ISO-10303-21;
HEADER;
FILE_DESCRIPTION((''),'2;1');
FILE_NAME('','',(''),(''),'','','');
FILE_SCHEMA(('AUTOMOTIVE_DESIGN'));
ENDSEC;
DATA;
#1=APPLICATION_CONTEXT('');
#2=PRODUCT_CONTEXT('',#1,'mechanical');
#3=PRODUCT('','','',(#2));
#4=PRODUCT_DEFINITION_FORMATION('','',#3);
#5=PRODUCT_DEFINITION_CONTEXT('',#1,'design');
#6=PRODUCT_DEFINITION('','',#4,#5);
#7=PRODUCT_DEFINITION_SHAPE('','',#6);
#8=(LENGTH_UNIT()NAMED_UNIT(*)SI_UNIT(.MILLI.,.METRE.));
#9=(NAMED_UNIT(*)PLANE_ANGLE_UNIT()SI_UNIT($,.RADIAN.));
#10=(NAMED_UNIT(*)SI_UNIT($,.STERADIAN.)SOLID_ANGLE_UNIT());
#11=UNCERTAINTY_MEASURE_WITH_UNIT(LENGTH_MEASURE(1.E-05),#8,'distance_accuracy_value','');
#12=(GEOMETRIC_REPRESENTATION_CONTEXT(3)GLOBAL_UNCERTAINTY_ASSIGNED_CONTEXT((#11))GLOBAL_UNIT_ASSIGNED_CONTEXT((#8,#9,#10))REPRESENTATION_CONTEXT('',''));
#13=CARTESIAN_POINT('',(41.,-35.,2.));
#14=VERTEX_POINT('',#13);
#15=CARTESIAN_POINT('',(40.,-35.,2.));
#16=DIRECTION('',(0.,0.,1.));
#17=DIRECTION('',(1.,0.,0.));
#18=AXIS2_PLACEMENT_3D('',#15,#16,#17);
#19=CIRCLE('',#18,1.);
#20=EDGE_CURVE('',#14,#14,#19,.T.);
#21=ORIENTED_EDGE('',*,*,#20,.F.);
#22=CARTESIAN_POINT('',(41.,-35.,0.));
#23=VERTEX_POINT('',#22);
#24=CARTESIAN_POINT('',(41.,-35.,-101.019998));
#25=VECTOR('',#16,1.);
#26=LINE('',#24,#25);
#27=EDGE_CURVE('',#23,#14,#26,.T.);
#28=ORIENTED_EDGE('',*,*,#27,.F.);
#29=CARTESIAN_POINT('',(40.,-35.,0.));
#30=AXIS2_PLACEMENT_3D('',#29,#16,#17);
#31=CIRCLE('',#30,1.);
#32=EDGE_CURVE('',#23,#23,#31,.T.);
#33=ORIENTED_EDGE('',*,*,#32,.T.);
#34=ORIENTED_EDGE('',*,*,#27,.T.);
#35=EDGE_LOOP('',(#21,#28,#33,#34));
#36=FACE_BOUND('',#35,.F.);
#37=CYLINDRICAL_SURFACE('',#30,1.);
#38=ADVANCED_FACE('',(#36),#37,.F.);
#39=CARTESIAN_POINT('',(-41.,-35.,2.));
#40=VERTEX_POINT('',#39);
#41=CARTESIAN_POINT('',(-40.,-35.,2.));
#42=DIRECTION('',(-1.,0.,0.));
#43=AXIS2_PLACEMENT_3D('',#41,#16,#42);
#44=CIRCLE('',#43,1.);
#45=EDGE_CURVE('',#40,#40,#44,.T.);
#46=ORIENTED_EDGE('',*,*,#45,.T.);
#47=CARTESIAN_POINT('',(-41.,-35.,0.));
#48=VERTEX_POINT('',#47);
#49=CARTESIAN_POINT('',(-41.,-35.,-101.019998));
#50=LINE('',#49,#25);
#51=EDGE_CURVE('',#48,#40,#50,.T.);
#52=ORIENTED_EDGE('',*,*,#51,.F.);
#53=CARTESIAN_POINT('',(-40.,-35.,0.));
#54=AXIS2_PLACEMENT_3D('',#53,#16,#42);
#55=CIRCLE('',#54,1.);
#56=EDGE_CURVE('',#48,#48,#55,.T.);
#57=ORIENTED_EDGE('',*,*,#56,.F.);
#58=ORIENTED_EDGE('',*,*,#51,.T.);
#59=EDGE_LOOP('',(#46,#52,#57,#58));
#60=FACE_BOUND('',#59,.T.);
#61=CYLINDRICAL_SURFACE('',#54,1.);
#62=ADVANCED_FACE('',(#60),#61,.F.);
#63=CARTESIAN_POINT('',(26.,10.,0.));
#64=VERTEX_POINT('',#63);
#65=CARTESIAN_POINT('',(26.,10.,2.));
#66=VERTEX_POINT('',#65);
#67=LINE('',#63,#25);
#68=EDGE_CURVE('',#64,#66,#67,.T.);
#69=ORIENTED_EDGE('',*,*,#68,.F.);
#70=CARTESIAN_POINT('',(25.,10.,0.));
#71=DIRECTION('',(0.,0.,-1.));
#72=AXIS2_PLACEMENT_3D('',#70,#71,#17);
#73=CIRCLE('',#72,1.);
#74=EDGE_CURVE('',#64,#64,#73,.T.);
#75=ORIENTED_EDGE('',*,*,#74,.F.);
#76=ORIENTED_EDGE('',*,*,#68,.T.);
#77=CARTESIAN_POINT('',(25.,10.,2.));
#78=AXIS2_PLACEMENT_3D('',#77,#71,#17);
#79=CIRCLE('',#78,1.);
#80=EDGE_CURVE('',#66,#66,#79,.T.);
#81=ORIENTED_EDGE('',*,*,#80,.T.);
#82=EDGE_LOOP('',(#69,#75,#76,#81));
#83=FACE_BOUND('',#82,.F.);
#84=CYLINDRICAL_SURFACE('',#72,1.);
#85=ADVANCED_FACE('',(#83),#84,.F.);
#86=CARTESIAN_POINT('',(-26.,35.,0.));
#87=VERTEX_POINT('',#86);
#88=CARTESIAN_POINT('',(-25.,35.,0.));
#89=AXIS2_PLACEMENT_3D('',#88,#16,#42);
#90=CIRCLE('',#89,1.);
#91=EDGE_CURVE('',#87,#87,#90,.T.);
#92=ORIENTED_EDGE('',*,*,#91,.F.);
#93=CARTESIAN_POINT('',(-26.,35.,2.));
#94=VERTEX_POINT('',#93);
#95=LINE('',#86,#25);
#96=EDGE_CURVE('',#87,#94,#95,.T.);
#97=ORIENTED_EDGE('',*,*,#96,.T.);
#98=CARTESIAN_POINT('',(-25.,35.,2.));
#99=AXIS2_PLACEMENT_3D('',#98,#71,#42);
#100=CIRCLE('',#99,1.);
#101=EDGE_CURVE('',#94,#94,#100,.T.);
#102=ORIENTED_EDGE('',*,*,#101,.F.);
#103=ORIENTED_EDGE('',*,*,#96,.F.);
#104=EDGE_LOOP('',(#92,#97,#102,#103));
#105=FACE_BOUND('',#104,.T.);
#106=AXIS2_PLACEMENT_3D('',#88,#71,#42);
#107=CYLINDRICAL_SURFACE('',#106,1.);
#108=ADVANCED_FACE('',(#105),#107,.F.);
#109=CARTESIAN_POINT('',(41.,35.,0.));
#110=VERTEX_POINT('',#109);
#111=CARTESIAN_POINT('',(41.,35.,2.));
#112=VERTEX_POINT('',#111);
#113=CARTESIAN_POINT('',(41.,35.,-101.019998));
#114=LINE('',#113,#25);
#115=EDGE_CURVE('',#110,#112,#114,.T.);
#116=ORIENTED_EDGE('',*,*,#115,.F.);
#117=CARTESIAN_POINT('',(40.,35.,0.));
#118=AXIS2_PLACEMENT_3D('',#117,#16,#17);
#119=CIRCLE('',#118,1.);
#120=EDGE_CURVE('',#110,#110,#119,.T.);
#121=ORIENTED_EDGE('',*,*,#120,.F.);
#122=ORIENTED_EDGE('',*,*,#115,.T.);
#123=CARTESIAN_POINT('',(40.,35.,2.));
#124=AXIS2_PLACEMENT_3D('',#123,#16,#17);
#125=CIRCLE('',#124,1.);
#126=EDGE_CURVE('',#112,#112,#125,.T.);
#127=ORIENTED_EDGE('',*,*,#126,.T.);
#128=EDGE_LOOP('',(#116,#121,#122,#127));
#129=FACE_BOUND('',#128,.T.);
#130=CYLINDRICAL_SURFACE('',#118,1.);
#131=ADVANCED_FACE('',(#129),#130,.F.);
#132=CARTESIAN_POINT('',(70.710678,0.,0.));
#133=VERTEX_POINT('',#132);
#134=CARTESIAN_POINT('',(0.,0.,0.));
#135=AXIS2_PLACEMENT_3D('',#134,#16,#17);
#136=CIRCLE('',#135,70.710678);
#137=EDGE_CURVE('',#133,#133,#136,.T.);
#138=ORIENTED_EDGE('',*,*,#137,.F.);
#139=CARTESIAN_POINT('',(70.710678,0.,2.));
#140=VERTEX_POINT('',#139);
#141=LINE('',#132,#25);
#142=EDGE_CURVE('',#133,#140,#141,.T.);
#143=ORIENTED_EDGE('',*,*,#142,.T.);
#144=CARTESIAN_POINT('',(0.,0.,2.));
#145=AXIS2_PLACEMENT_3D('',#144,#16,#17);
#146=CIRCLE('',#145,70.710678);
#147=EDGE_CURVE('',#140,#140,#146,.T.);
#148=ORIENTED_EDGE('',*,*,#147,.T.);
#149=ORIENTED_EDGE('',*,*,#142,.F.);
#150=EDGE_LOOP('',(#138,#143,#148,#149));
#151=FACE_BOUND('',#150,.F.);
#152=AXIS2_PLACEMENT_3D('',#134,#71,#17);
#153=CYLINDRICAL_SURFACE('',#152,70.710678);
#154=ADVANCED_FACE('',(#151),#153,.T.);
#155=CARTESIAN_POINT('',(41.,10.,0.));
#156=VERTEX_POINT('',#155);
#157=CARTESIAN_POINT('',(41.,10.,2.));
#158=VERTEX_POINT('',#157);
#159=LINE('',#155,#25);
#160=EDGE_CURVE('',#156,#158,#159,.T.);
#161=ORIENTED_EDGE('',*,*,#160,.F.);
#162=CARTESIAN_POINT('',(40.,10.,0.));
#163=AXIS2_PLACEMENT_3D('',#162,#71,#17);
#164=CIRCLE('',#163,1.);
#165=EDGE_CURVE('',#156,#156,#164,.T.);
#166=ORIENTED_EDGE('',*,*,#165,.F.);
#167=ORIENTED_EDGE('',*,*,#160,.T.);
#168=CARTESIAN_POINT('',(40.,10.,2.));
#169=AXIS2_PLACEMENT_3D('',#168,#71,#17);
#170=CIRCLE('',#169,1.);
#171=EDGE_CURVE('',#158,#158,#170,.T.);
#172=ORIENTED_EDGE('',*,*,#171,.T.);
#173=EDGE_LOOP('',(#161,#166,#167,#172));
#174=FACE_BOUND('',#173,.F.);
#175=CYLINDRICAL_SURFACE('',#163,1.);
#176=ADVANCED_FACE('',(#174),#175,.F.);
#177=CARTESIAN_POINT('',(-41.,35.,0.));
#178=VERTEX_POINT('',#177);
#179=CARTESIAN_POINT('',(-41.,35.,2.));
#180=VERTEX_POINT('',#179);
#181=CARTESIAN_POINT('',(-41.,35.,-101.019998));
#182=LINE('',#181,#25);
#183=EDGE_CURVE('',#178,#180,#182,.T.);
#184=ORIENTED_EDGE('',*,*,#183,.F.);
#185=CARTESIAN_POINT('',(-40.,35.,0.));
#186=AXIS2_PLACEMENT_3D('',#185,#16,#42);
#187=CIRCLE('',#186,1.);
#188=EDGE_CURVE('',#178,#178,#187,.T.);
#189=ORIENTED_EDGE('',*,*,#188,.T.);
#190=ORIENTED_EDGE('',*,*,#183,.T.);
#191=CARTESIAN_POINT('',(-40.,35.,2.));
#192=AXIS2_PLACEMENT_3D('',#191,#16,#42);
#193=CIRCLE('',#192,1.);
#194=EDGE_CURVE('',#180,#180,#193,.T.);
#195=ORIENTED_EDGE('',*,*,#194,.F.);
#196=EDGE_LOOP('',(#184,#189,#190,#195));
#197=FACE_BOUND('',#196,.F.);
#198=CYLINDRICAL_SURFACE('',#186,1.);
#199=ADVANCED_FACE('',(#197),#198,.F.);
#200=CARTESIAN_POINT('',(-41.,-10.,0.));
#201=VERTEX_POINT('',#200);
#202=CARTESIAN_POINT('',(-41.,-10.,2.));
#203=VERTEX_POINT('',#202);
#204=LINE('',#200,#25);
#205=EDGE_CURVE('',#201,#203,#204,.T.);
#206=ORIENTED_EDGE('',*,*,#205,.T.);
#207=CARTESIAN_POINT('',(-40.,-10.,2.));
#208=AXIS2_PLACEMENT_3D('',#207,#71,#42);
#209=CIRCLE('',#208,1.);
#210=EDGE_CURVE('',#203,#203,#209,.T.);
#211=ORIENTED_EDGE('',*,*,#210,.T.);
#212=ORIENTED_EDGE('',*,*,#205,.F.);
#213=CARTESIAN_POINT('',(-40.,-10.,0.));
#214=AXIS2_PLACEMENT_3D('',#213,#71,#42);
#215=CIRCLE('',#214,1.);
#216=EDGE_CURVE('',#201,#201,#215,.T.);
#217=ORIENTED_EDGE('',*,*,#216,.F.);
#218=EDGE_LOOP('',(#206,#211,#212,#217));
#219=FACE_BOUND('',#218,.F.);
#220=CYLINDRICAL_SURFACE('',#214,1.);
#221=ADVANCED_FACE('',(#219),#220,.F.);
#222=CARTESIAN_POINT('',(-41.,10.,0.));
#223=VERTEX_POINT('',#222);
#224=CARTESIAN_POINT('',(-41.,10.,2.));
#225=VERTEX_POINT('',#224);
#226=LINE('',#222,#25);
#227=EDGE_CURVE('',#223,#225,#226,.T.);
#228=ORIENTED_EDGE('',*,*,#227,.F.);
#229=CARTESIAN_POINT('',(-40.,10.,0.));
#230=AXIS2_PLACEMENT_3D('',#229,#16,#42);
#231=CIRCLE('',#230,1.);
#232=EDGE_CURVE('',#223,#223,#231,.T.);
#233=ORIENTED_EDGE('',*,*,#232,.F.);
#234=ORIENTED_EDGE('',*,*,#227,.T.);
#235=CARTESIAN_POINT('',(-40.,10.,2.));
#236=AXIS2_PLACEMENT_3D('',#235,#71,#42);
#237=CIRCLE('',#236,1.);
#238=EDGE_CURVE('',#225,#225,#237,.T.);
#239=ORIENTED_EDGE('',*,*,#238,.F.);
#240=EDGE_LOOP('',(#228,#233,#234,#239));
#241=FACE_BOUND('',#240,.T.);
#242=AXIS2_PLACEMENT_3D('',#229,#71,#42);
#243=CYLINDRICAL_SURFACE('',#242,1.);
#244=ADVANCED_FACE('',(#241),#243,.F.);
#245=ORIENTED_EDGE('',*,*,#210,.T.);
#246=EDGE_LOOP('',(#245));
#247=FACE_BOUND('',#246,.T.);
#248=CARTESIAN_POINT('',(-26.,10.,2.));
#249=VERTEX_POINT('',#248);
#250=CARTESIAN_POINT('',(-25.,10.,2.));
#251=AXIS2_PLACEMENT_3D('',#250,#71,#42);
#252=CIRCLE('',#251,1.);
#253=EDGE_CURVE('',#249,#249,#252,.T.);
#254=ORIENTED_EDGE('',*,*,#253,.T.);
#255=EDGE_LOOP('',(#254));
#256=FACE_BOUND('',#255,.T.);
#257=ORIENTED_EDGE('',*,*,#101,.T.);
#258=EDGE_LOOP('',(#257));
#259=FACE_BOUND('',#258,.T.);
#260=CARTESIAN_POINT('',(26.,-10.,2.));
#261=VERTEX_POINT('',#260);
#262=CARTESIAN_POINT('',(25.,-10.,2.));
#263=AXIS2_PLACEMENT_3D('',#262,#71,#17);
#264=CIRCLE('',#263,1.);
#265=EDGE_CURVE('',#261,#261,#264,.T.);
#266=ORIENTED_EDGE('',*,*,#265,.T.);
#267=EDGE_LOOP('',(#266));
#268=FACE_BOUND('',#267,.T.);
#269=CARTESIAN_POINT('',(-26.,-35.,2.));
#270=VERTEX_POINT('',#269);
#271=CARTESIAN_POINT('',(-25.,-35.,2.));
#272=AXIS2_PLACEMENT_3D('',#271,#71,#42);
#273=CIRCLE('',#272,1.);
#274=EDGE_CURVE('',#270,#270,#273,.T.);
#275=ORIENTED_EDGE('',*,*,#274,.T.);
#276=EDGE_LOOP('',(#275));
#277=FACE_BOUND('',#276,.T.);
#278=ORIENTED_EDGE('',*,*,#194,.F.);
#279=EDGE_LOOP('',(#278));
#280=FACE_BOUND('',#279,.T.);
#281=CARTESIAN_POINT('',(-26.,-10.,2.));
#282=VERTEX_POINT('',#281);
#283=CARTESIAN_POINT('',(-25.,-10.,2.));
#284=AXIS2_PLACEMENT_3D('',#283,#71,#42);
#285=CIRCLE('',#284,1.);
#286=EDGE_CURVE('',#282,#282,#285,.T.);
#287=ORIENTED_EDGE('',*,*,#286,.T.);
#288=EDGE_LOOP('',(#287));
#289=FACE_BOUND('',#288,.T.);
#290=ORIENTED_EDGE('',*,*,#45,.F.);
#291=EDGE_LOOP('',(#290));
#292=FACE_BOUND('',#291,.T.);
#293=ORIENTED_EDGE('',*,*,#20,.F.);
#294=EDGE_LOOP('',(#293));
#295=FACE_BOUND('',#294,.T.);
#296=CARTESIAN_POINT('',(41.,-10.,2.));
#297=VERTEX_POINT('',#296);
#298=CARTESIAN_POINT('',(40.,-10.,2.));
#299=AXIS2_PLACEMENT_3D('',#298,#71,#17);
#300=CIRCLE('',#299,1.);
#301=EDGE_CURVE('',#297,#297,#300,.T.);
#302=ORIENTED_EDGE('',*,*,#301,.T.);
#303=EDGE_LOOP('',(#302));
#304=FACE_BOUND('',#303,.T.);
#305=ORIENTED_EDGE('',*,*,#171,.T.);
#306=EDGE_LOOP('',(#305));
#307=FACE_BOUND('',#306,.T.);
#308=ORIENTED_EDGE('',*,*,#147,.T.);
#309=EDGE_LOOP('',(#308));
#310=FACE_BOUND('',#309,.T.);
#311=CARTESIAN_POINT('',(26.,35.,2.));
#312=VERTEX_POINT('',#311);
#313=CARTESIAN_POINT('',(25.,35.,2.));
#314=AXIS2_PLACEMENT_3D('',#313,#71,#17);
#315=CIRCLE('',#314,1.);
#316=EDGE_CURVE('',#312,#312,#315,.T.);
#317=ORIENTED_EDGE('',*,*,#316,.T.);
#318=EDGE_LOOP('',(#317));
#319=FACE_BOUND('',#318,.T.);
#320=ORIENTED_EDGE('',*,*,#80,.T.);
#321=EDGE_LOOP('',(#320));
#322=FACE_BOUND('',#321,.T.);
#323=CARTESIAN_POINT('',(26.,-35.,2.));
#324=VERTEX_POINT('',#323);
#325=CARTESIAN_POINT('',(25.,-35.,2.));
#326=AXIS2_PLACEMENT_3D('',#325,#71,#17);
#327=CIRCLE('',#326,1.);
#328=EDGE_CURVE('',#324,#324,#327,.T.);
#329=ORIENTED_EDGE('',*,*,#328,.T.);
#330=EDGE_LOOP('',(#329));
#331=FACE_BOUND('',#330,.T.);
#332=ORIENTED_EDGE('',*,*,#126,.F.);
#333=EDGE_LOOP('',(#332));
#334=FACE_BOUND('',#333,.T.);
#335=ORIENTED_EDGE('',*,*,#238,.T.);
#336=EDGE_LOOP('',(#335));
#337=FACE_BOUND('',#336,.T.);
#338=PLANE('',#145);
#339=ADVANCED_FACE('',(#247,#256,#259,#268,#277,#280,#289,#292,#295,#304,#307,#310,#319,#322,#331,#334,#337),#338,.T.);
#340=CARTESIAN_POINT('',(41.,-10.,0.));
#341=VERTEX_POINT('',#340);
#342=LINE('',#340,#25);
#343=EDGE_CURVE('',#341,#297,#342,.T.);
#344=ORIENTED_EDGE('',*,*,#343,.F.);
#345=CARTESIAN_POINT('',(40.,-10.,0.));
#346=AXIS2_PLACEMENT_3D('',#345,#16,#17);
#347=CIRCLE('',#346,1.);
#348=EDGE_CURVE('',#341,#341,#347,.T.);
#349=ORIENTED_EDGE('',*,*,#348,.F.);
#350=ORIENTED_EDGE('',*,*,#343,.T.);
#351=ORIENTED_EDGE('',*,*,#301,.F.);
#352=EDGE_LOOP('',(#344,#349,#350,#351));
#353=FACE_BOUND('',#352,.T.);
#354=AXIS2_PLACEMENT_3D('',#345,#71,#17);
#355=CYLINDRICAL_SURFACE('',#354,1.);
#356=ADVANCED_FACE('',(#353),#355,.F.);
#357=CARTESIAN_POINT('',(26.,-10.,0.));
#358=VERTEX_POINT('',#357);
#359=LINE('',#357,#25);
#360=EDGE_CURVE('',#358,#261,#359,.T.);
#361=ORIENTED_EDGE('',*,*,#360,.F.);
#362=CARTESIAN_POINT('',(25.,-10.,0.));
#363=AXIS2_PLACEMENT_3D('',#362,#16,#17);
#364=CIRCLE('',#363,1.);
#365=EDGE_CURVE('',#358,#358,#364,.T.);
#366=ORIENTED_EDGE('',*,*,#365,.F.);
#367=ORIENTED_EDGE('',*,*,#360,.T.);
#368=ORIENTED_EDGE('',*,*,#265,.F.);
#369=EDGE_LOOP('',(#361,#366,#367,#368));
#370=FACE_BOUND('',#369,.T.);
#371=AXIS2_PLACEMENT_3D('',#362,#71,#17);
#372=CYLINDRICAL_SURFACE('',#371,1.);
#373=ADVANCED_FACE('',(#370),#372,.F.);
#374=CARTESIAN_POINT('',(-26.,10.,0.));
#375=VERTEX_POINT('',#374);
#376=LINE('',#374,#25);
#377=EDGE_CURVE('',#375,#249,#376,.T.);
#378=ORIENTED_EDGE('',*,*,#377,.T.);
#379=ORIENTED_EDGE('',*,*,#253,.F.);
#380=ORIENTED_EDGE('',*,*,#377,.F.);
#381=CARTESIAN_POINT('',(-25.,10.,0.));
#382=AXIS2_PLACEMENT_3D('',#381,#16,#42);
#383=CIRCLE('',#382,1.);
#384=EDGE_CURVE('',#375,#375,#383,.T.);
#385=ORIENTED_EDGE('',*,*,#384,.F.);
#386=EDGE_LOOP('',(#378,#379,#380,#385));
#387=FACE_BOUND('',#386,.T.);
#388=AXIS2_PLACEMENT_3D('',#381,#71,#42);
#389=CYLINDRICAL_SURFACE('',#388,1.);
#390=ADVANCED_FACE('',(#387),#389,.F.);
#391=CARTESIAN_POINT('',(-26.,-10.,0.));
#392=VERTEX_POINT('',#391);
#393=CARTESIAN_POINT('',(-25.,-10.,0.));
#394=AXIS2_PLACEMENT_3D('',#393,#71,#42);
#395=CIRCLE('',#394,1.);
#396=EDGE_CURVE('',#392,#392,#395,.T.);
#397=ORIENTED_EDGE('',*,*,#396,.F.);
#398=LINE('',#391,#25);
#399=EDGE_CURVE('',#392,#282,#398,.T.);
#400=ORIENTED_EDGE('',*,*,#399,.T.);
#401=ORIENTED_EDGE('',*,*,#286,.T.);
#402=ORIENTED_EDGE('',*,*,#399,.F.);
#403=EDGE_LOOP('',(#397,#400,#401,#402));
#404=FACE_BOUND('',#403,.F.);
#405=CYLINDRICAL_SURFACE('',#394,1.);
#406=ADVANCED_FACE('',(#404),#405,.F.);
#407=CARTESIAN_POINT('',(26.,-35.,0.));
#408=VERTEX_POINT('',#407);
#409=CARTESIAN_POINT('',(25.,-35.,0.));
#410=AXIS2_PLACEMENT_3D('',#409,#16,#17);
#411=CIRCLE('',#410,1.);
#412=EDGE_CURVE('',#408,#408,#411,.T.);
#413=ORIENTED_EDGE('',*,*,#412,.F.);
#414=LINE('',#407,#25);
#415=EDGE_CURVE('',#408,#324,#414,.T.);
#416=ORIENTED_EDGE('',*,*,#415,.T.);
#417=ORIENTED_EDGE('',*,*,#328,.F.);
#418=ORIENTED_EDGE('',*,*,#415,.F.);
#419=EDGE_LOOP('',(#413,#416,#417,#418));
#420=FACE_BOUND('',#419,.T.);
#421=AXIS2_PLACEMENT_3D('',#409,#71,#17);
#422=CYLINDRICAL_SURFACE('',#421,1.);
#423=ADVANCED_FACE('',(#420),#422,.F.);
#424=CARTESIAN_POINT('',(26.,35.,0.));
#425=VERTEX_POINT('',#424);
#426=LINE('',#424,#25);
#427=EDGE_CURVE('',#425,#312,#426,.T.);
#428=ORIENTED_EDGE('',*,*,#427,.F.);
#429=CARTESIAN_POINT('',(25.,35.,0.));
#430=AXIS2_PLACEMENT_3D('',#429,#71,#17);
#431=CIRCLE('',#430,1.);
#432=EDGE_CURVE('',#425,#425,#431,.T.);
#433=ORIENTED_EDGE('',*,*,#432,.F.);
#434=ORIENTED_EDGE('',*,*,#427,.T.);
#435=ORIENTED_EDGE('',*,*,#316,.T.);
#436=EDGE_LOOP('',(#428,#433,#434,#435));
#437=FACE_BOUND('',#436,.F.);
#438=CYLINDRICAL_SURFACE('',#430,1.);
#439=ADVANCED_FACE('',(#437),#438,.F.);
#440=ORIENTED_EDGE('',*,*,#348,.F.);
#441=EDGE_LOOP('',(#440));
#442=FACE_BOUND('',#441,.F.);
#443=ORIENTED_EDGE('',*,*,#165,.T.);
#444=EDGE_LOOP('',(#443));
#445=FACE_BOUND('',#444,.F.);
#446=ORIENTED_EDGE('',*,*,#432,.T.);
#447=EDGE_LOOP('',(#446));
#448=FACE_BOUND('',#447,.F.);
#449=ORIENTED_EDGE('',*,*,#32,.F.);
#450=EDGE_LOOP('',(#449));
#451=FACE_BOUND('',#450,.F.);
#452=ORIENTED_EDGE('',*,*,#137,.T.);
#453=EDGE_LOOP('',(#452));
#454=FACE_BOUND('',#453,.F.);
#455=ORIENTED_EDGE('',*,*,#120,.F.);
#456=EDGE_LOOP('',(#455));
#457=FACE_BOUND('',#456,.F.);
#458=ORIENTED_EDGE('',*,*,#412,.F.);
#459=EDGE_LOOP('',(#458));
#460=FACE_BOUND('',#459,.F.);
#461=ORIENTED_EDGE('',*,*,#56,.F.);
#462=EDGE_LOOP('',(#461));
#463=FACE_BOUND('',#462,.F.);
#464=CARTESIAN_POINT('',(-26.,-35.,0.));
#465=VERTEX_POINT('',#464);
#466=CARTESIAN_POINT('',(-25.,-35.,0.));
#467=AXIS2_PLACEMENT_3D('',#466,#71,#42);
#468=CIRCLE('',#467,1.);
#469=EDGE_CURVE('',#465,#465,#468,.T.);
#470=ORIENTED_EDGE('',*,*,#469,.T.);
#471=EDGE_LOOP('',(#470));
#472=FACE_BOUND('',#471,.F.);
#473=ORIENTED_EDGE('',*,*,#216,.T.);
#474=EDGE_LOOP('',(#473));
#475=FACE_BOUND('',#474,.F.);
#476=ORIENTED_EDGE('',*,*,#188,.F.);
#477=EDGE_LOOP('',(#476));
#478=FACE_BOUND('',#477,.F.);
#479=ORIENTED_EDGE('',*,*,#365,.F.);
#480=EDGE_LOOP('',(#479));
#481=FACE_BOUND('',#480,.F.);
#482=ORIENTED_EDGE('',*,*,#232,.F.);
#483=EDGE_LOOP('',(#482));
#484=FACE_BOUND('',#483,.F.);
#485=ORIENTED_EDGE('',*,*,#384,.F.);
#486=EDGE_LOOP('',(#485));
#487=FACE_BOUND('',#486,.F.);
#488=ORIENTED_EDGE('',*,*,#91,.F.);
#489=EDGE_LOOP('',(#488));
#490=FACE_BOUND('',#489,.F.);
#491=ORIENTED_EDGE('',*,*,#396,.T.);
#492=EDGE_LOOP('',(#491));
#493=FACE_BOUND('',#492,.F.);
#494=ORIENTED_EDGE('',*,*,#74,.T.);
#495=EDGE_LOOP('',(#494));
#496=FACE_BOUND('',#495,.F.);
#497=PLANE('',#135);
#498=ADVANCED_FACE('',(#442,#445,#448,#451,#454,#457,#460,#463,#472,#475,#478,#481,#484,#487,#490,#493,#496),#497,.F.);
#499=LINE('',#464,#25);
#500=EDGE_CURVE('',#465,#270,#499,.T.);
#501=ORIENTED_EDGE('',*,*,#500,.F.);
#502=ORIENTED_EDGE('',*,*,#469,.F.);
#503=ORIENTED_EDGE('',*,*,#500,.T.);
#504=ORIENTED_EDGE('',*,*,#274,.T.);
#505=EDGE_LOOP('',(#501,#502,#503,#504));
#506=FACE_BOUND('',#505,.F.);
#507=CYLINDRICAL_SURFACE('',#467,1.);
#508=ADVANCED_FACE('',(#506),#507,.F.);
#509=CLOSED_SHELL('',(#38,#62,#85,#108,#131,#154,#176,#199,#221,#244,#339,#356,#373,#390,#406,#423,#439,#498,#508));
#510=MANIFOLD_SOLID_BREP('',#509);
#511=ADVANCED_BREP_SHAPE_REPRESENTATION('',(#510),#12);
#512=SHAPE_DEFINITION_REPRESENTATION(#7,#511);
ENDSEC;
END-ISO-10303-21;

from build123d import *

# Parameters (mm, degrees)
SKETCH_1_R               = 70.710678119
EXTRUDE_1_DEPTH          = 2
SKETCH_2_R               = 1
CUT_EXTRUDE_4_DEPTH      = 101.019998
MIRROR_6_COPY_1_SKETCH_R = 1
MIRROR_6_COPY_1_DEPTH    = 101.019998


with BuildPart() as part:
    # ｽｹｯﾁ1 → ﾎﾞｽ - 押し出し1 (new body)
    with BuildSketch(Plane.XY):
        Circle(SKETCH_1_R)
    extrude(amount=EXTRUDE_1_DEPTH)

    # ｽｹｯﾁ2 → ｶｯﾄ - 押し出し4 (cut, symmetric)
    with BuildSketch(Plane.XY):
        with Locations((25, -10)):
            Circle(SKETCH_2_R)
        with Locations((40, -10)):
            Circle(SKETCH_2_R)
        with Locations((25, -35)):
            Circle(SKETCH_2_R)
        with Locations((40, -35)):
            Circle(SKETCH_2_R)
    cut_extrude_4 = extrude(amount=CUT_EXTRUDE_4_DEPTH, both=True, mode=Mode.SUBTRACT)

    # ﾐﾗｰ2: ｶｯﾄ - 押し出し4 across plane
    add(cut_extrude_4.mirror(Plane(origin=(0, 0, 0), x_dir=(0, 0, 1), z_dir=(1, 0, 0))), mode=Mode.SUBTRACT)

    # ﾐﾗｰ6: ｶｯﾄ - 押し出し4 across plane
    add(cut_extrude_4.mirror(Plane.ZX), mode=Mode.SUBTRACT)

    # ﾐﾗｰ6 copy 1 sketch → ﾐﾗｰ6 copy 1 (cut, symmetric)
    with BuildSketch(Plane(origin=(0, 0, 0), x_dir=(-1, 0, 0), z_dir=(0, 0, 1))):
        with Locations((25, -10)):
            Circle(MIRROR_6_COPY_1_SKETCH_R)
        with Locations((40, -10)):
            Circle(MIRROR_6_COPY_1_SKETCH_R)
        with Locations((25, -35)):
            Circle(MIRROR_6_COPY_1_SKETCH_R)
        with Locations((40, -35)):
            Circle(MIRROR_6_COPY_1_SKETCH_R)
    extrude(amount=MIRROR_6_COPY_1_DEPTH, both=True, mode=Mode.SUBTRACT)


solid = part.part
